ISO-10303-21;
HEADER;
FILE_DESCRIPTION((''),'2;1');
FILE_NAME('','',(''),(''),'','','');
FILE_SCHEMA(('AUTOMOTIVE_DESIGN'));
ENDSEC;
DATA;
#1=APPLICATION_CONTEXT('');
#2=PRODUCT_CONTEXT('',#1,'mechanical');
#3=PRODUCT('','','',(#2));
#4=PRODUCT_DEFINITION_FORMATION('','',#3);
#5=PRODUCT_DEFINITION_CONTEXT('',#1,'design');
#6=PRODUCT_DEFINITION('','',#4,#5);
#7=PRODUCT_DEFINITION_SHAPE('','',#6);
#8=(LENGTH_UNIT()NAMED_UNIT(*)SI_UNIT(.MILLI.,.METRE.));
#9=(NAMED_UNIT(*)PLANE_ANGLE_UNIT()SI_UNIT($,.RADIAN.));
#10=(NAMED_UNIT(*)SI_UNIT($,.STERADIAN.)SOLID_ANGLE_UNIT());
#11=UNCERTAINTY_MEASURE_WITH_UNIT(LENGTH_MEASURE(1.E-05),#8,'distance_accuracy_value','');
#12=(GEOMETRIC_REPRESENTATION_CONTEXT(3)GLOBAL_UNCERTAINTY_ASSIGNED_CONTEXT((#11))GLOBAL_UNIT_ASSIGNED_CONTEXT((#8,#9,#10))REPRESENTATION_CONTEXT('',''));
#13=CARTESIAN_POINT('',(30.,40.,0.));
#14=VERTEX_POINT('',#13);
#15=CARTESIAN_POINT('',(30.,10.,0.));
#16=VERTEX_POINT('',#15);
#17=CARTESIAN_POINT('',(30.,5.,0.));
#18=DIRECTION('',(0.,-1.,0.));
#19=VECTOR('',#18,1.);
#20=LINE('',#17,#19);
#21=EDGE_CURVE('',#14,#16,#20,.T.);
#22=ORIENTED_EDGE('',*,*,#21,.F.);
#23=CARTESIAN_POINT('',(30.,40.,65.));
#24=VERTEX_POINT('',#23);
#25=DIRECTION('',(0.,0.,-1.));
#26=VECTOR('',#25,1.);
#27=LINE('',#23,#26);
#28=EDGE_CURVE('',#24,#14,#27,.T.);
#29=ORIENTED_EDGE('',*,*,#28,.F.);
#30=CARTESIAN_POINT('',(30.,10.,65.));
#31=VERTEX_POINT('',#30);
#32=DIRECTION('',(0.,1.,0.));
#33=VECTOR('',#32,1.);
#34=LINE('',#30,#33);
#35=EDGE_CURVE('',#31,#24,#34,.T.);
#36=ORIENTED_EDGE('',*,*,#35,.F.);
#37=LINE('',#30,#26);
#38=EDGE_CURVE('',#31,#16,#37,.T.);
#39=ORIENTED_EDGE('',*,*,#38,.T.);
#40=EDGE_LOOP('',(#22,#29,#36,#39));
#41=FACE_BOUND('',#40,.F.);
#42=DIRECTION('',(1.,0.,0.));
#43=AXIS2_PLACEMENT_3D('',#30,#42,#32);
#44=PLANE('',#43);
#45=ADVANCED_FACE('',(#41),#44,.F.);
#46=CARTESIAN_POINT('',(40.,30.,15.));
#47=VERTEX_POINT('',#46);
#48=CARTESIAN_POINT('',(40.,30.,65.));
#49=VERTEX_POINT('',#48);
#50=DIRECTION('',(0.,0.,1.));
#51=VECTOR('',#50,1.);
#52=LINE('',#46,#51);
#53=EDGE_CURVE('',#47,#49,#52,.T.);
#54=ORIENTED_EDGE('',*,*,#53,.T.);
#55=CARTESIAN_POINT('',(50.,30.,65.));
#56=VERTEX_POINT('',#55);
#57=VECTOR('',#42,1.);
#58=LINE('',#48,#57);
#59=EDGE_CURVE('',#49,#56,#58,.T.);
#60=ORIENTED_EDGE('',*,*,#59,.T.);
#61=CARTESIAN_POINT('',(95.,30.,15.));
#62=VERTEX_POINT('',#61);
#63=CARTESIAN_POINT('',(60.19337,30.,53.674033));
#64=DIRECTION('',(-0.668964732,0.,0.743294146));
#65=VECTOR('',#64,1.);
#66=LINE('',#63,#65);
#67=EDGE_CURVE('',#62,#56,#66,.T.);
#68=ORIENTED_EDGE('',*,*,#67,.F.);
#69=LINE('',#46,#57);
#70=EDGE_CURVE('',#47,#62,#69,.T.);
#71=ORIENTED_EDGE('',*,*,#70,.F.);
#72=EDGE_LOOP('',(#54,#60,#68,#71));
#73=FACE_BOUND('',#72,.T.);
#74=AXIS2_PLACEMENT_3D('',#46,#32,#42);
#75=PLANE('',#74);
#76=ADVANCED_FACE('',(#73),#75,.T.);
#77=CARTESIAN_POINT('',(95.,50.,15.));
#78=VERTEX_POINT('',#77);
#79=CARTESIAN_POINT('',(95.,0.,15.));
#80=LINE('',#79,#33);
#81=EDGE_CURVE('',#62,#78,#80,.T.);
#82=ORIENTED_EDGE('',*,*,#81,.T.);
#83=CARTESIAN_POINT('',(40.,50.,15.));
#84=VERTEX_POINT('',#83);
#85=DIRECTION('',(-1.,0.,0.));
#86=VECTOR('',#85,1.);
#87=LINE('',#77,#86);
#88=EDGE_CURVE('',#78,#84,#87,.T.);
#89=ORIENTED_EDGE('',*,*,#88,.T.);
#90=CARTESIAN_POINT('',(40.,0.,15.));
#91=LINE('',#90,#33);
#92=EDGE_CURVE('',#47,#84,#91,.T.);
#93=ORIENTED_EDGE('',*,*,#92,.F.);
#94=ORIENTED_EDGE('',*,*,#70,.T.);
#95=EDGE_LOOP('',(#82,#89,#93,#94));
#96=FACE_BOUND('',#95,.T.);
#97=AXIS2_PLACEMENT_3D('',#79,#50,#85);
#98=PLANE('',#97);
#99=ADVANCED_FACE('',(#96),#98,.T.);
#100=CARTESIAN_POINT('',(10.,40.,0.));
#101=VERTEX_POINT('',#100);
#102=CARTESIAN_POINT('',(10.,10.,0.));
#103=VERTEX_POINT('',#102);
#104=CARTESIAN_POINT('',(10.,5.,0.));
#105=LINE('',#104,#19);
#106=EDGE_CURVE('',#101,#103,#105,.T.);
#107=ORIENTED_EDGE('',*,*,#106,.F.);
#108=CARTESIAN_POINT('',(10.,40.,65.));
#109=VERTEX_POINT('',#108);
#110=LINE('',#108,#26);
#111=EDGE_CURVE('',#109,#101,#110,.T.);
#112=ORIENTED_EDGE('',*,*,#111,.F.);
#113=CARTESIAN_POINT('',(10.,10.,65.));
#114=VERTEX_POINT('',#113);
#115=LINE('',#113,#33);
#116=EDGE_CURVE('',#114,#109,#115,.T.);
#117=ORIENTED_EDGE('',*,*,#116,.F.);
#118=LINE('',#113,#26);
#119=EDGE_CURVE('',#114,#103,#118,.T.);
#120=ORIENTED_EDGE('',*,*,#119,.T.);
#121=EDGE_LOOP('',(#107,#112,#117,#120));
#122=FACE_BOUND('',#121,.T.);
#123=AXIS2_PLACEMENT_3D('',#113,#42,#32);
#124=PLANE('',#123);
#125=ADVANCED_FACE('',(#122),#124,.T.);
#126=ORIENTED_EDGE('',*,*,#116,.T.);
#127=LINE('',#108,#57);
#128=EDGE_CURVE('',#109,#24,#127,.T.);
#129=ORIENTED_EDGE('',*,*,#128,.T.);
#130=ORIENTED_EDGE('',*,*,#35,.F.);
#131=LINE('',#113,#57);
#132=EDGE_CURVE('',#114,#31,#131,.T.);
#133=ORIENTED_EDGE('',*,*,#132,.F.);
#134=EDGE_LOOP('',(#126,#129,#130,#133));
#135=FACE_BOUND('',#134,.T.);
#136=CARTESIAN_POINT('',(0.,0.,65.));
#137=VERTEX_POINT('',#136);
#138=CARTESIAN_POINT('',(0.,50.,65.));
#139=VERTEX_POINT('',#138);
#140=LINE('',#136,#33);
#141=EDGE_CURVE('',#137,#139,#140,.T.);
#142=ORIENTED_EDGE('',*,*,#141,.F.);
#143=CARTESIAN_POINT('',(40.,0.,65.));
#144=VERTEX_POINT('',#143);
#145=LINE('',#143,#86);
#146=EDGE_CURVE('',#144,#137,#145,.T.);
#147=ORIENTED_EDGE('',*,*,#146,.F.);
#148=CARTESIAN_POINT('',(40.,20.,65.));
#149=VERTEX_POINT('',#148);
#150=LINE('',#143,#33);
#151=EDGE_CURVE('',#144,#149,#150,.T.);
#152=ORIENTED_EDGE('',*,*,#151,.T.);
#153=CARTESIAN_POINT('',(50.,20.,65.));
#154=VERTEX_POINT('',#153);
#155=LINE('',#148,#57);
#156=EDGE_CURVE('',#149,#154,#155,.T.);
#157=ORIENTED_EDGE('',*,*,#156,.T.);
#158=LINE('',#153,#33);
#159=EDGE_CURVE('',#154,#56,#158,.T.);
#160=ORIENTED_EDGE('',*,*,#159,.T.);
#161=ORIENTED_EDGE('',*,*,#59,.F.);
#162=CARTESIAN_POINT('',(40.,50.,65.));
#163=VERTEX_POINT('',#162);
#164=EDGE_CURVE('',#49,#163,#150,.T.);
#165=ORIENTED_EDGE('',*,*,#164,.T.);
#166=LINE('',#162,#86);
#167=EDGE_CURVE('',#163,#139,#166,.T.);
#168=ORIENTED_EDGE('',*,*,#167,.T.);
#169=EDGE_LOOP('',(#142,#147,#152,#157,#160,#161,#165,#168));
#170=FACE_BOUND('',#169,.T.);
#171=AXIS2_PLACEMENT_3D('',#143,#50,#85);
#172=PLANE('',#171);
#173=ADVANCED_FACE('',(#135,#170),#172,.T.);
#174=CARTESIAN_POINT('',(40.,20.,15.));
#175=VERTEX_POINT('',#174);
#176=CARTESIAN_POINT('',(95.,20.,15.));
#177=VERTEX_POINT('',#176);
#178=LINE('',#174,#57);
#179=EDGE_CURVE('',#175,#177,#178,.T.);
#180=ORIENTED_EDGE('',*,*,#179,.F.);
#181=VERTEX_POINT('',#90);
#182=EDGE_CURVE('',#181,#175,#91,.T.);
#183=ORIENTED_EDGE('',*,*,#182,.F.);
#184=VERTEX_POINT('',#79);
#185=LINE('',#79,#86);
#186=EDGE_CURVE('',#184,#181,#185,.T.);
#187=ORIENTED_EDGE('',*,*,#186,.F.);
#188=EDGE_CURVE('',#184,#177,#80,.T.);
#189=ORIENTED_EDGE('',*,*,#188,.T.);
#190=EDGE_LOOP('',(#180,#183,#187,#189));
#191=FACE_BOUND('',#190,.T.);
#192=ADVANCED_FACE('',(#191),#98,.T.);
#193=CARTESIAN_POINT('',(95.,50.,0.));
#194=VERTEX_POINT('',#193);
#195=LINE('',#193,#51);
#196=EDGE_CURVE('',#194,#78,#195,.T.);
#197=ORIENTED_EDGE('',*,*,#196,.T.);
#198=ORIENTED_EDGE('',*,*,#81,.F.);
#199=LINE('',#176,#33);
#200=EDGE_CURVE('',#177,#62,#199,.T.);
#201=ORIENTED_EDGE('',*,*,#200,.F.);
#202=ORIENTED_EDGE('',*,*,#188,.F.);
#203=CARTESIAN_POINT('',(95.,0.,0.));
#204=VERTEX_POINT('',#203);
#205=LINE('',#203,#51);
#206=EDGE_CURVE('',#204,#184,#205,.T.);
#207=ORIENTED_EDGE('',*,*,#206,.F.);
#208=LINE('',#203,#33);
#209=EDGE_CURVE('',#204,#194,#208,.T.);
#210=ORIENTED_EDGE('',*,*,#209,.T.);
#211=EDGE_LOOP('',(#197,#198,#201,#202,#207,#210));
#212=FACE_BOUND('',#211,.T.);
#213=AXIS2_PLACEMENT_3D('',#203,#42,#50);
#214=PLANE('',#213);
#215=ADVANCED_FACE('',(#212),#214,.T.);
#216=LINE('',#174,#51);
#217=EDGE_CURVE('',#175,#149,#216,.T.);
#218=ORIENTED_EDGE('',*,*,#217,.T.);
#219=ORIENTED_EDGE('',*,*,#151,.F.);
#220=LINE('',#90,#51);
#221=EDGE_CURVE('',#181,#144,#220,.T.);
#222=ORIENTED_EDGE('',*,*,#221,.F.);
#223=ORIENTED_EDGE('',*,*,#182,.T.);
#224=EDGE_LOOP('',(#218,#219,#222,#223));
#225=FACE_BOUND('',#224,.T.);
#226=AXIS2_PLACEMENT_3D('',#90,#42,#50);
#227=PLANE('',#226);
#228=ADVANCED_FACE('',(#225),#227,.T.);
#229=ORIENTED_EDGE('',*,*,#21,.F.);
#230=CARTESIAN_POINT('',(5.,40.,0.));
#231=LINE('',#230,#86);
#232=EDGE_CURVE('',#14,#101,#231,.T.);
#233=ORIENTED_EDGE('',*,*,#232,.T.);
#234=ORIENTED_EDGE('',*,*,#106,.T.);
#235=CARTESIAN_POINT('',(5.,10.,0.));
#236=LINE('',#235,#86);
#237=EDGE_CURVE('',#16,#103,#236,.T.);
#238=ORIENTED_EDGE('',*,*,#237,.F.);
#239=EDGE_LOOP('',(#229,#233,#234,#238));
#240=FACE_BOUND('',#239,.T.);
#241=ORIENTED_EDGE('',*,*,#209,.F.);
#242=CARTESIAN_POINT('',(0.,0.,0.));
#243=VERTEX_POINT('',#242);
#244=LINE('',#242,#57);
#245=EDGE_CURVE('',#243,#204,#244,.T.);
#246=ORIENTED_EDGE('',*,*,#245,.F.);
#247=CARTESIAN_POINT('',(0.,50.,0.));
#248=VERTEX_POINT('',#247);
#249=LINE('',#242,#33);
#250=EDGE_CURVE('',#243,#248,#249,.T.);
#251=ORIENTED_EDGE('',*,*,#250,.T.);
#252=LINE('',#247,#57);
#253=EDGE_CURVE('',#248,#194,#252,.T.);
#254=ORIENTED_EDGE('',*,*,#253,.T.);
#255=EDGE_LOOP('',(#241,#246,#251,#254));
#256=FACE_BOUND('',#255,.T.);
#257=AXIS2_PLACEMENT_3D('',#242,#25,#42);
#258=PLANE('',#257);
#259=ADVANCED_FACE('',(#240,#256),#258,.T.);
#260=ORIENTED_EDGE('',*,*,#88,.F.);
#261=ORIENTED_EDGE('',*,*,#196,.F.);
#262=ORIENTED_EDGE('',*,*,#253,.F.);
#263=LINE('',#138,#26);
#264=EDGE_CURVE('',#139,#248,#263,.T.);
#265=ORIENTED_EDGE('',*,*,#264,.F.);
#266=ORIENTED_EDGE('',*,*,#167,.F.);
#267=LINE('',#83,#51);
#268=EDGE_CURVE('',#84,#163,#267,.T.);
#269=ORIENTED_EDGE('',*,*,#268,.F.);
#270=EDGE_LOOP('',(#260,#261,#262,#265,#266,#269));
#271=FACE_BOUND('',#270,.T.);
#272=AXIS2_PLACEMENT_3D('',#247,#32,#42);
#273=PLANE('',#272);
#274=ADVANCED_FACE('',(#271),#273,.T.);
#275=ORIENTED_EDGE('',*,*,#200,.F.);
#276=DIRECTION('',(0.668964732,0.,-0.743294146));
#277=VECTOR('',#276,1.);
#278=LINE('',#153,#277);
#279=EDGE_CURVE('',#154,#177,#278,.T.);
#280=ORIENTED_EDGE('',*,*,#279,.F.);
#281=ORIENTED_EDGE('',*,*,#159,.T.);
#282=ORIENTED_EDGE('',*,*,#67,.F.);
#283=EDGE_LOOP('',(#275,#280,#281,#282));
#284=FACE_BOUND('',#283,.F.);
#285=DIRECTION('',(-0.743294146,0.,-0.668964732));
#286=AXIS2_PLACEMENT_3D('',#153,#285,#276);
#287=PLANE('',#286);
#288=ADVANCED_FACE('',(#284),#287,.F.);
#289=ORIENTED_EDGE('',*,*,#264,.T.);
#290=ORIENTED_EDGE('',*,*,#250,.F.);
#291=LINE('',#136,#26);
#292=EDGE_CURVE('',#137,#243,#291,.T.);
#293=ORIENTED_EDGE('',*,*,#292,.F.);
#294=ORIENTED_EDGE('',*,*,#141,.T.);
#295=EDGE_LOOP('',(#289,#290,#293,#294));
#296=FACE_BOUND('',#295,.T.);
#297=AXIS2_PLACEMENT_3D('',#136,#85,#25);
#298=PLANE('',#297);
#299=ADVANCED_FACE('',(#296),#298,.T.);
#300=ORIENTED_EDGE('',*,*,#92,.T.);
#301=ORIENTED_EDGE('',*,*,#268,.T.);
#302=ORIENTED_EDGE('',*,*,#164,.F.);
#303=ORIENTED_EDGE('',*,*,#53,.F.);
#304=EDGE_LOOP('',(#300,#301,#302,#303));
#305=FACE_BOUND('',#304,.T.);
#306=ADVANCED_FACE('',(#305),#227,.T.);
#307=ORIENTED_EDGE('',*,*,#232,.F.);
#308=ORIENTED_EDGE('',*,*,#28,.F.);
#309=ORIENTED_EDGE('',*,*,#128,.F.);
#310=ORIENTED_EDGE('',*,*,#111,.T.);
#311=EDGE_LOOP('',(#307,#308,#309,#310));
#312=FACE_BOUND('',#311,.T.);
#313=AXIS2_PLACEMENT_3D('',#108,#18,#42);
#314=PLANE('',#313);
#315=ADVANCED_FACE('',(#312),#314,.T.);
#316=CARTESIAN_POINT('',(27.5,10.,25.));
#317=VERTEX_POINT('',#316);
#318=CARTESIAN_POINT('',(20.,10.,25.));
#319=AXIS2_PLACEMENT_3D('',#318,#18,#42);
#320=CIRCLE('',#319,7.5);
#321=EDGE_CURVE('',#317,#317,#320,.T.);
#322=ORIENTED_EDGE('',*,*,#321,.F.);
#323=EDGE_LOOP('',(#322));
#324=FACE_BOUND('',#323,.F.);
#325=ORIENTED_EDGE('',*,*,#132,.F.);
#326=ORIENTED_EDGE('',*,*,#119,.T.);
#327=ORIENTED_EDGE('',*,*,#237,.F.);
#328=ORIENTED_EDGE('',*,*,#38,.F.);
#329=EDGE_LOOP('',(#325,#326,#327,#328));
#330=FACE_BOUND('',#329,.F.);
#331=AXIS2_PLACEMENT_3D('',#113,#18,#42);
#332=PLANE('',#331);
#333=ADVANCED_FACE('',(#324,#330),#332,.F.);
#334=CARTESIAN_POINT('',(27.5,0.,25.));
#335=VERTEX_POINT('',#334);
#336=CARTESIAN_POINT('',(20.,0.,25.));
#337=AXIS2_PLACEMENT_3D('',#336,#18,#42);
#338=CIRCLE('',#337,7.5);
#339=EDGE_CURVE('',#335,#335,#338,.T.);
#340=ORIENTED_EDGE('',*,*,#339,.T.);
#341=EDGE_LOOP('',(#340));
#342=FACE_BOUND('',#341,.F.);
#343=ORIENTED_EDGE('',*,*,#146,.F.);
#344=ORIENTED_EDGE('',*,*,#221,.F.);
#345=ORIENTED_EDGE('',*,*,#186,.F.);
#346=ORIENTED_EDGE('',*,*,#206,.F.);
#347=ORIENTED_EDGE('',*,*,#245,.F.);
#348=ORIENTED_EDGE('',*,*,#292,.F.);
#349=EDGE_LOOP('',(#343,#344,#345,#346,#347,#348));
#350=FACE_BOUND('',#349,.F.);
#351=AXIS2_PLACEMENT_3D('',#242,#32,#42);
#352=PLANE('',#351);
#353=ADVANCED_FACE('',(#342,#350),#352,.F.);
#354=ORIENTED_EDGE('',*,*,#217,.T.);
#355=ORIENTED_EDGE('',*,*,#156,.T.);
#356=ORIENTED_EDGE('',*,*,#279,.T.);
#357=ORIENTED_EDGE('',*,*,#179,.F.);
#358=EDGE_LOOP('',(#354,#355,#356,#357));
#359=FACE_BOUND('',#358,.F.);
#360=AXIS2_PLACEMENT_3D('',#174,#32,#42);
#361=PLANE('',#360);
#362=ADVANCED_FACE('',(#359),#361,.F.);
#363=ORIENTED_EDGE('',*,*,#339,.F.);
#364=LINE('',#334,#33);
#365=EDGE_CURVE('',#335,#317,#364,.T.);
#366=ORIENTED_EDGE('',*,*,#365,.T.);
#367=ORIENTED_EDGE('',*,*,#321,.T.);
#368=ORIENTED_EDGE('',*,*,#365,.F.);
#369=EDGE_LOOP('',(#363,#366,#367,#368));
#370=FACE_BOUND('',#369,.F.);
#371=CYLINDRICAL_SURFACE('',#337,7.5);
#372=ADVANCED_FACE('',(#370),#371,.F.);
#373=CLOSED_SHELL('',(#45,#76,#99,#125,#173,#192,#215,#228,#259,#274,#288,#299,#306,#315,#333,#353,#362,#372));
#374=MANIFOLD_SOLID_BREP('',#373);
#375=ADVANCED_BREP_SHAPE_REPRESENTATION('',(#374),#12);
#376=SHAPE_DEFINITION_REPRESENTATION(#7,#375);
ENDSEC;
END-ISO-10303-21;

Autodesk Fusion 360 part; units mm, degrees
sketch "Sketch1" plane through (0, 0, 0) normal (0, 1, 0) x (1, 0, 0)
  line L0 (0, 0) -> (95, 0)
  line L1 (95, 0) -> (95, -15)
  line L2 (95, -15) -> (40, -15)
  line L3 (40, -15) -> (40, -65)
  line L4 (40, -65) -> (0, -65)
  line L5 (0, -65) -> (0, 0)
  dimension "d1" = 95
extrude "Extrude1" add sketch "Sketch1" along normal blind 50
sketch "Sketch2" plane through (0, 0, 65) normal (0, 0, 1) x (-1, 0, 0)
  line L0 (0, 0) -> (-40, 0)
  line L1 (-40, 0) -> (-40, -50)
  line L2 (-40, -50) -> (0, -50)
  line L3 (0, -50) -> (0, 0)
  line L4 (7.2091, -40) -> (5, -40)
  line L5 (-10, -10) -> (-30, -10)
  line L6 (-10, -40) -> (-30, -40)
  line L7 (-30, -10) -> (-30, -40)
  line L8 (-10, -10) -> (-10, -40)
extrude "Extrude2" cut sketch "Sketch2" against normal blind 90 contours L5 L6 L7 L8
sketch "Sketch3" plane through (0, 0, 0) normal (0, -1, 0) x (1, 0, 0)
  line L0 (40, 65) -> (0, 65)
  line L1 (0, 65) -> (0, 0)
  line L2 (0, 0) -> (95, 0)
  line L3 (95, 0) -> (95, 15)
  line L4 (95, 15) -> (40, 15)
  line L5 (40, 15) -> (40, 65)
  line L6 (-20, 25) -> (0, 25)
  circle A0 centre (20, 25) radius 7.5
  line L7 (20, 0) -> (20, -6.3794)
  dimension "d15" = 25
  dimension "d16" = 15
extrude "Extrude3" cut sketch "Sketch3" against normal blind 20 contours A0
sketch "Sketch4" plane through (0, 0, 15) normal (0, 0, 1) x (-1, 0, 0)
  line L0 (-40, 0) -> (-95, 0)
  line L1 (-95, 0) -> (-95, -50)
  line L2 (-95, -50) -> (-40, -50)
  line L3 (-40, -50) -> (-40, 0)
  line L4 (-40, -20) -> (-95, -20)
  line L5 (-40, -30) -> (-95, -30)
extrude "Extrude4" add sketch "Sketch4" along normal blind 50 contours L1 L3 L4 L5
sketch "Sketch5" plane through (0, 0, 65) normal (0, 0, 1) x (-1, 0, 0)
  line L0 (-10, -40) -> (-30, -40)
  line L1 (-30, -40) -> (-30, -10)
  line L2 (-30, -10) -> (-10, -10)
  line L3 (-10, -10) -> (-10, -40)
  line L4 (0, 0) -> (-40, 0)
  line L5 (-40, 0) -> (-40, -20)
  line L6 (-40, -30) -> (-40, -50)
  line L7 (-40, -50) -> (0, -50)
  line L8 (0, -50) -> (0, 0)
sketch "Sketch6" plane through (0, 20, 0) normal (0, -1, 0) x (1, 0, 0)
  line L0 (40, 15) -> (95, 15)
  line L1 (95, 15) -> (95, 65)
  line L2 (95, 65) -> (40, 65)
  line L3 (40, 65) -> (40, 15)
  line L4 (50, 65) -> (95, 15)
  point P0 (50, 65)
extrude "Extrude5" cut sketch "Sketch6" against normal blind 65 contours L1 L2 L4
sketch "Sketch7" plane through (0, 0, 0) normal (0, 1, 0) x (1, 0, 0)
